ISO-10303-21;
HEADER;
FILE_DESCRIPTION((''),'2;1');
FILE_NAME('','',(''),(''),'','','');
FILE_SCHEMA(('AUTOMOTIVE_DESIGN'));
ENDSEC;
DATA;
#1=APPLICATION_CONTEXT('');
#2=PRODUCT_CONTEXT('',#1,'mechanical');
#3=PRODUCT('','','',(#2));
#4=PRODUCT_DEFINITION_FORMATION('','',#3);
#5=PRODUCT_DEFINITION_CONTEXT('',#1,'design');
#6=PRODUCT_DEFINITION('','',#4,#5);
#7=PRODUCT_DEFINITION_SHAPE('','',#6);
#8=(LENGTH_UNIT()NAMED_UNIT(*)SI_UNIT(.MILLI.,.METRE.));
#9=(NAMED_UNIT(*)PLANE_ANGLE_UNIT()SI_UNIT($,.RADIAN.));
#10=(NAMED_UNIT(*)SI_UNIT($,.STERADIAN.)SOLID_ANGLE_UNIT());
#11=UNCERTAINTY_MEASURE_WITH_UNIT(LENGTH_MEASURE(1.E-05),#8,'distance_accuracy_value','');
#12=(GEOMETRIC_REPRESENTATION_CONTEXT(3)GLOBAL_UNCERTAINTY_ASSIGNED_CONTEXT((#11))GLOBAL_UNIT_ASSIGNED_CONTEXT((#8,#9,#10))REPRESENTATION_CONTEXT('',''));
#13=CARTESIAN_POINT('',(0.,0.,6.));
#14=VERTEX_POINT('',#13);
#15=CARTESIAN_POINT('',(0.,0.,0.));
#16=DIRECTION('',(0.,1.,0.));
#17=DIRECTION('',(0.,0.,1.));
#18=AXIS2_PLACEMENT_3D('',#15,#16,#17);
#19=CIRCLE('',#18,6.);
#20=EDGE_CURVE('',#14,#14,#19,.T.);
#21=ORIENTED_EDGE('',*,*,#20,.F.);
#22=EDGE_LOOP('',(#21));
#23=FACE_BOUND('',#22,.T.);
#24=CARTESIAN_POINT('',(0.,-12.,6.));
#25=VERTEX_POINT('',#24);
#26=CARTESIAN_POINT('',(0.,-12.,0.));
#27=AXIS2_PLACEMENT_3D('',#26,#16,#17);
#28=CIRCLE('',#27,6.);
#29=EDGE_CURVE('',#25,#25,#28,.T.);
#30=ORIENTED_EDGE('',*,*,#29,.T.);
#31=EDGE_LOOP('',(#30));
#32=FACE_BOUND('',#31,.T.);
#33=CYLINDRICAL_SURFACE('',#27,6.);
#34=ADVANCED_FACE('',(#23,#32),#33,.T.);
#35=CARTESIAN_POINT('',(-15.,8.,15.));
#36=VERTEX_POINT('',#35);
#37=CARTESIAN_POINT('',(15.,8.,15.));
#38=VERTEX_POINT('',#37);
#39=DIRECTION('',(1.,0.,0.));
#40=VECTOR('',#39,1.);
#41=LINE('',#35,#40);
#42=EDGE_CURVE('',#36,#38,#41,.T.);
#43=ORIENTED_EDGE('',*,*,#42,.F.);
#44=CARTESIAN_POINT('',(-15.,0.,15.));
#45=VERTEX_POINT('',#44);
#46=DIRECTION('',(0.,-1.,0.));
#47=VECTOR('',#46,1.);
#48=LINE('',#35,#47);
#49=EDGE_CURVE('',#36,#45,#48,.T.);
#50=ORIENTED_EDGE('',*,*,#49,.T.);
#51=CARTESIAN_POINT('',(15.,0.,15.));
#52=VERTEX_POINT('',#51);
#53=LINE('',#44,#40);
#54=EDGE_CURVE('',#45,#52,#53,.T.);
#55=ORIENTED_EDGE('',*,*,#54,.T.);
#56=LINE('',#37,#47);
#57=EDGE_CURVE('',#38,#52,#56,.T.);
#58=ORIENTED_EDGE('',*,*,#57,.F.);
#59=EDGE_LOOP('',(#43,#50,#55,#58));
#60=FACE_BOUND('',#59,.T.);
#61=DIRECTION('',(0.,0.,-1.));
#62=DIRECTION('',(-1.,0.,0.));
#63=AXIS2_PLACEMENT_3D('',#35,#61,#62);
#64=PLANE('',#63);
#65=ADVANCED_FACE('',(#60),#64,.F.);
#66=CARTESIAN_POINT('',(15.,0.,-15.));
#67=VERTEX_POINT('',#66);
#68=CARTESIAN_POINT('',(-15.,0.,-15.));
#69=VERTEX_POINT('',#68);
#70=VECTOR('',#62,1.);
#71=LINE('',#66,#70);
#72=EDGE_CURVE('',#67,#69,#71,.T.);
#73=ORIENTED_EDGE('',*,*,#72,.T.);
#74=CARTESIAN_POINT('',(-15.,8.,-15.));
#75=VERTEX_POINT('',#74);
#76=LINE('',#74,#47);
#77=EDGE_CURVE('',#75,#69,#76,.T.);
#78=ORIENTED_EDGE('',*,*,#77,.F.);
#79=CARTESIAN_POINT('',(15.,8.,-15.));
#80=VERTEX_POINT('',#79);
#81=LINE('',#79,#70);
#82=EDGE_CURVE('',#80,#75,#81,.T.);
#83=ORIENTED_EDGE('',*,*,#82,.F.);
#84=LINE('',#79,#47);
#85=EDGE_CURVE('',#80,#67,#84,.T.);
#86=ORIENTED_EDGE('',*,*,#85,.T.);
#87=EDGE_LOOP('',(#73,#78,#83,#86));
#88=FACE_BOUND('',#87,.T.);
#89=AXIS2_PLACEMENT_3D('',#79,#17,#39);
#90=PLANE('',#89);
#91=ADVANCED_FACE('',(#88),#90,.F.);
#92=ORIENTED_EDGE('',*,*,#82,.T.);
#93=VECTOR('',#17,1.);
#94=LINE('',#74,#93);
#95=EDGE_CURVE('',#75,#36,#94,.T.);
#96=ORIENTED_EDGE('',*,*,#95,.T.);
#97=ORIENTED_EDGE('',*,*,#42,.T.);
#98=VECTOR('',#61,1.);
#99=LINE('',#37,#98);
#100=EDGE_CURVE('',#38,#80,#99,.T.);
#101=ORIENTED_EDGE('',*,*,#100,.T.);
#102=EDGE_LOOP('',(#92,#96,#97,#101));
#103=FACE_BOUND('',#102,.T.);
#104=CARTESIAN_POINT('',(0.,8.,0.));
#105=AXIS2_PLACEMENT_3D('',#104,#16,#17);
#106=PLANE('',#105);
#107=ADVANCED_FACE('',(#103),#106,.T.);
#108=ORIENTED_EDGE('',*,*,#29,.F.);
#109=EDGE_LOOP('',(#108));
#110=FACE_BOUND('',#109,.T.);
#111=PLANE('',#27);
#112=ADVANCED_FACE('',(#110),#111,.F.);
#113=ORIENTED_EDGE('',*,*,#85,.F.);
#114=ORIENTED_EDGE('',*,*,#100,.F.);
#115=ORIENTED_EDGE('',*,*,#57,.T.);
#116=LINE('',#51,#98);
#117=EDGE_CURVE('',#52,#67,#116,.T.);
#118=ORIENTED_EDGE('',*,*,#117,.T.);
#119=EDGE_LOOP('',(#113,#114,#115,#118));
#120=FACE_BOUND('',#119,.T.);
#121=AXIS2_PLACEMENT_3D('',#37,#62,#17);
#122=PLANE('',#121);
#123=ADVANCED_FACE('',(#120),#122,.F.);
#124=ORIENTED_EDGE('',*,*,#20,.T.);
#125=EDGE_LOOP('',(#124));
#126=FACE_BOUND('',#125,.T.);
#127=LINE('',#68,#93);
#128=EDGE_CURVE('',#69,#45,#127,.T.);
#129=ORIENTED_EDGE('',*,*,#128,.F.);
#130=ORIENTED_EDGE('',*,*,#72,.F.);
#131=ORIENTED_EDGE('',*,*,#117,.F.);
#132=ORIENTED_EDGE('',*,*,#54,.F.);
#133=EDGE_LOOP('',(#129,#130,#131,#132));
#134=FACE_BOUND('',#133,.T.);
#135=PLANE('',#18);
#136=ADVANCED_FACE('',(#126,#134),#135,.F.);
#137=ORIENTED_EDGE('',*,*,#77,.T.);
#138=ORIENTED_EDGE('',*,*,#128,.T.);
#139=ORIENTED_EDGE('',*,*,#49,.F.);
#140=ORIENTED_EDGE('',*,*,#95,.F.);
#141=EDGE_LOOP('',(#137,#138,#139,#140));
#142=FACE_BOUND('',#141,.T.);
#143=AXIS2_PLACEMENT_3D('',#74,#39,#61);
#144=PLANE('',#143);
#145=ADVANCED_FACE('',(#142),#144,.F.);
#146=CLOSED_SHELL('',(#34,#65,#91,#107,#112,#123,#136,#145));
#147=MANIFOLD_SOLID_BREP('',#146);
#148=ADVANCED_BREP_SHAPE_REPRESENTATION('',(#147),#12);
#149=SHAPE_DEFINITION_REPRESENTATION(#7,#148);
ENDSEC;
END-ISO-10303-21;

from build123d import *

# Parameters (mm, degrees)
SKETCH1_W           = 30
SKETCH1_H           = 30
BOSS_EXTRUDE1_DEPTH = 8
SKETCH2_R           = 6
BOSS_EXTRUDE2_DEPTH = 12


with BuildPart() as part:
    # Sketch1 → Boss-Extrude1 (new body)
    with BuildSketch(Plane(origin=(0, 0, 0), x_dir=(1, 0, 0), z_dir=(0, 1, 0))):
        Rectangle(SKETCH1_W, SKETCH1_H)
    extrude(amount=BOSS_EXTRUDE1_DEPTH)

    # Sketch2 → Boss-Extrude2 (add)
    with BuildSketch(Plane(origin=(0, 0, 0), x_dir=(1, 0, 0), z_dir=(0, 1, 0))):
        with Locations(Location((0, 0, 0), (0, 0, 270))):
            Circle(SKETCH2_R)
    extrude(amount=-BOSS_EXTRUDE2_DEPTH)


solid = part.part
